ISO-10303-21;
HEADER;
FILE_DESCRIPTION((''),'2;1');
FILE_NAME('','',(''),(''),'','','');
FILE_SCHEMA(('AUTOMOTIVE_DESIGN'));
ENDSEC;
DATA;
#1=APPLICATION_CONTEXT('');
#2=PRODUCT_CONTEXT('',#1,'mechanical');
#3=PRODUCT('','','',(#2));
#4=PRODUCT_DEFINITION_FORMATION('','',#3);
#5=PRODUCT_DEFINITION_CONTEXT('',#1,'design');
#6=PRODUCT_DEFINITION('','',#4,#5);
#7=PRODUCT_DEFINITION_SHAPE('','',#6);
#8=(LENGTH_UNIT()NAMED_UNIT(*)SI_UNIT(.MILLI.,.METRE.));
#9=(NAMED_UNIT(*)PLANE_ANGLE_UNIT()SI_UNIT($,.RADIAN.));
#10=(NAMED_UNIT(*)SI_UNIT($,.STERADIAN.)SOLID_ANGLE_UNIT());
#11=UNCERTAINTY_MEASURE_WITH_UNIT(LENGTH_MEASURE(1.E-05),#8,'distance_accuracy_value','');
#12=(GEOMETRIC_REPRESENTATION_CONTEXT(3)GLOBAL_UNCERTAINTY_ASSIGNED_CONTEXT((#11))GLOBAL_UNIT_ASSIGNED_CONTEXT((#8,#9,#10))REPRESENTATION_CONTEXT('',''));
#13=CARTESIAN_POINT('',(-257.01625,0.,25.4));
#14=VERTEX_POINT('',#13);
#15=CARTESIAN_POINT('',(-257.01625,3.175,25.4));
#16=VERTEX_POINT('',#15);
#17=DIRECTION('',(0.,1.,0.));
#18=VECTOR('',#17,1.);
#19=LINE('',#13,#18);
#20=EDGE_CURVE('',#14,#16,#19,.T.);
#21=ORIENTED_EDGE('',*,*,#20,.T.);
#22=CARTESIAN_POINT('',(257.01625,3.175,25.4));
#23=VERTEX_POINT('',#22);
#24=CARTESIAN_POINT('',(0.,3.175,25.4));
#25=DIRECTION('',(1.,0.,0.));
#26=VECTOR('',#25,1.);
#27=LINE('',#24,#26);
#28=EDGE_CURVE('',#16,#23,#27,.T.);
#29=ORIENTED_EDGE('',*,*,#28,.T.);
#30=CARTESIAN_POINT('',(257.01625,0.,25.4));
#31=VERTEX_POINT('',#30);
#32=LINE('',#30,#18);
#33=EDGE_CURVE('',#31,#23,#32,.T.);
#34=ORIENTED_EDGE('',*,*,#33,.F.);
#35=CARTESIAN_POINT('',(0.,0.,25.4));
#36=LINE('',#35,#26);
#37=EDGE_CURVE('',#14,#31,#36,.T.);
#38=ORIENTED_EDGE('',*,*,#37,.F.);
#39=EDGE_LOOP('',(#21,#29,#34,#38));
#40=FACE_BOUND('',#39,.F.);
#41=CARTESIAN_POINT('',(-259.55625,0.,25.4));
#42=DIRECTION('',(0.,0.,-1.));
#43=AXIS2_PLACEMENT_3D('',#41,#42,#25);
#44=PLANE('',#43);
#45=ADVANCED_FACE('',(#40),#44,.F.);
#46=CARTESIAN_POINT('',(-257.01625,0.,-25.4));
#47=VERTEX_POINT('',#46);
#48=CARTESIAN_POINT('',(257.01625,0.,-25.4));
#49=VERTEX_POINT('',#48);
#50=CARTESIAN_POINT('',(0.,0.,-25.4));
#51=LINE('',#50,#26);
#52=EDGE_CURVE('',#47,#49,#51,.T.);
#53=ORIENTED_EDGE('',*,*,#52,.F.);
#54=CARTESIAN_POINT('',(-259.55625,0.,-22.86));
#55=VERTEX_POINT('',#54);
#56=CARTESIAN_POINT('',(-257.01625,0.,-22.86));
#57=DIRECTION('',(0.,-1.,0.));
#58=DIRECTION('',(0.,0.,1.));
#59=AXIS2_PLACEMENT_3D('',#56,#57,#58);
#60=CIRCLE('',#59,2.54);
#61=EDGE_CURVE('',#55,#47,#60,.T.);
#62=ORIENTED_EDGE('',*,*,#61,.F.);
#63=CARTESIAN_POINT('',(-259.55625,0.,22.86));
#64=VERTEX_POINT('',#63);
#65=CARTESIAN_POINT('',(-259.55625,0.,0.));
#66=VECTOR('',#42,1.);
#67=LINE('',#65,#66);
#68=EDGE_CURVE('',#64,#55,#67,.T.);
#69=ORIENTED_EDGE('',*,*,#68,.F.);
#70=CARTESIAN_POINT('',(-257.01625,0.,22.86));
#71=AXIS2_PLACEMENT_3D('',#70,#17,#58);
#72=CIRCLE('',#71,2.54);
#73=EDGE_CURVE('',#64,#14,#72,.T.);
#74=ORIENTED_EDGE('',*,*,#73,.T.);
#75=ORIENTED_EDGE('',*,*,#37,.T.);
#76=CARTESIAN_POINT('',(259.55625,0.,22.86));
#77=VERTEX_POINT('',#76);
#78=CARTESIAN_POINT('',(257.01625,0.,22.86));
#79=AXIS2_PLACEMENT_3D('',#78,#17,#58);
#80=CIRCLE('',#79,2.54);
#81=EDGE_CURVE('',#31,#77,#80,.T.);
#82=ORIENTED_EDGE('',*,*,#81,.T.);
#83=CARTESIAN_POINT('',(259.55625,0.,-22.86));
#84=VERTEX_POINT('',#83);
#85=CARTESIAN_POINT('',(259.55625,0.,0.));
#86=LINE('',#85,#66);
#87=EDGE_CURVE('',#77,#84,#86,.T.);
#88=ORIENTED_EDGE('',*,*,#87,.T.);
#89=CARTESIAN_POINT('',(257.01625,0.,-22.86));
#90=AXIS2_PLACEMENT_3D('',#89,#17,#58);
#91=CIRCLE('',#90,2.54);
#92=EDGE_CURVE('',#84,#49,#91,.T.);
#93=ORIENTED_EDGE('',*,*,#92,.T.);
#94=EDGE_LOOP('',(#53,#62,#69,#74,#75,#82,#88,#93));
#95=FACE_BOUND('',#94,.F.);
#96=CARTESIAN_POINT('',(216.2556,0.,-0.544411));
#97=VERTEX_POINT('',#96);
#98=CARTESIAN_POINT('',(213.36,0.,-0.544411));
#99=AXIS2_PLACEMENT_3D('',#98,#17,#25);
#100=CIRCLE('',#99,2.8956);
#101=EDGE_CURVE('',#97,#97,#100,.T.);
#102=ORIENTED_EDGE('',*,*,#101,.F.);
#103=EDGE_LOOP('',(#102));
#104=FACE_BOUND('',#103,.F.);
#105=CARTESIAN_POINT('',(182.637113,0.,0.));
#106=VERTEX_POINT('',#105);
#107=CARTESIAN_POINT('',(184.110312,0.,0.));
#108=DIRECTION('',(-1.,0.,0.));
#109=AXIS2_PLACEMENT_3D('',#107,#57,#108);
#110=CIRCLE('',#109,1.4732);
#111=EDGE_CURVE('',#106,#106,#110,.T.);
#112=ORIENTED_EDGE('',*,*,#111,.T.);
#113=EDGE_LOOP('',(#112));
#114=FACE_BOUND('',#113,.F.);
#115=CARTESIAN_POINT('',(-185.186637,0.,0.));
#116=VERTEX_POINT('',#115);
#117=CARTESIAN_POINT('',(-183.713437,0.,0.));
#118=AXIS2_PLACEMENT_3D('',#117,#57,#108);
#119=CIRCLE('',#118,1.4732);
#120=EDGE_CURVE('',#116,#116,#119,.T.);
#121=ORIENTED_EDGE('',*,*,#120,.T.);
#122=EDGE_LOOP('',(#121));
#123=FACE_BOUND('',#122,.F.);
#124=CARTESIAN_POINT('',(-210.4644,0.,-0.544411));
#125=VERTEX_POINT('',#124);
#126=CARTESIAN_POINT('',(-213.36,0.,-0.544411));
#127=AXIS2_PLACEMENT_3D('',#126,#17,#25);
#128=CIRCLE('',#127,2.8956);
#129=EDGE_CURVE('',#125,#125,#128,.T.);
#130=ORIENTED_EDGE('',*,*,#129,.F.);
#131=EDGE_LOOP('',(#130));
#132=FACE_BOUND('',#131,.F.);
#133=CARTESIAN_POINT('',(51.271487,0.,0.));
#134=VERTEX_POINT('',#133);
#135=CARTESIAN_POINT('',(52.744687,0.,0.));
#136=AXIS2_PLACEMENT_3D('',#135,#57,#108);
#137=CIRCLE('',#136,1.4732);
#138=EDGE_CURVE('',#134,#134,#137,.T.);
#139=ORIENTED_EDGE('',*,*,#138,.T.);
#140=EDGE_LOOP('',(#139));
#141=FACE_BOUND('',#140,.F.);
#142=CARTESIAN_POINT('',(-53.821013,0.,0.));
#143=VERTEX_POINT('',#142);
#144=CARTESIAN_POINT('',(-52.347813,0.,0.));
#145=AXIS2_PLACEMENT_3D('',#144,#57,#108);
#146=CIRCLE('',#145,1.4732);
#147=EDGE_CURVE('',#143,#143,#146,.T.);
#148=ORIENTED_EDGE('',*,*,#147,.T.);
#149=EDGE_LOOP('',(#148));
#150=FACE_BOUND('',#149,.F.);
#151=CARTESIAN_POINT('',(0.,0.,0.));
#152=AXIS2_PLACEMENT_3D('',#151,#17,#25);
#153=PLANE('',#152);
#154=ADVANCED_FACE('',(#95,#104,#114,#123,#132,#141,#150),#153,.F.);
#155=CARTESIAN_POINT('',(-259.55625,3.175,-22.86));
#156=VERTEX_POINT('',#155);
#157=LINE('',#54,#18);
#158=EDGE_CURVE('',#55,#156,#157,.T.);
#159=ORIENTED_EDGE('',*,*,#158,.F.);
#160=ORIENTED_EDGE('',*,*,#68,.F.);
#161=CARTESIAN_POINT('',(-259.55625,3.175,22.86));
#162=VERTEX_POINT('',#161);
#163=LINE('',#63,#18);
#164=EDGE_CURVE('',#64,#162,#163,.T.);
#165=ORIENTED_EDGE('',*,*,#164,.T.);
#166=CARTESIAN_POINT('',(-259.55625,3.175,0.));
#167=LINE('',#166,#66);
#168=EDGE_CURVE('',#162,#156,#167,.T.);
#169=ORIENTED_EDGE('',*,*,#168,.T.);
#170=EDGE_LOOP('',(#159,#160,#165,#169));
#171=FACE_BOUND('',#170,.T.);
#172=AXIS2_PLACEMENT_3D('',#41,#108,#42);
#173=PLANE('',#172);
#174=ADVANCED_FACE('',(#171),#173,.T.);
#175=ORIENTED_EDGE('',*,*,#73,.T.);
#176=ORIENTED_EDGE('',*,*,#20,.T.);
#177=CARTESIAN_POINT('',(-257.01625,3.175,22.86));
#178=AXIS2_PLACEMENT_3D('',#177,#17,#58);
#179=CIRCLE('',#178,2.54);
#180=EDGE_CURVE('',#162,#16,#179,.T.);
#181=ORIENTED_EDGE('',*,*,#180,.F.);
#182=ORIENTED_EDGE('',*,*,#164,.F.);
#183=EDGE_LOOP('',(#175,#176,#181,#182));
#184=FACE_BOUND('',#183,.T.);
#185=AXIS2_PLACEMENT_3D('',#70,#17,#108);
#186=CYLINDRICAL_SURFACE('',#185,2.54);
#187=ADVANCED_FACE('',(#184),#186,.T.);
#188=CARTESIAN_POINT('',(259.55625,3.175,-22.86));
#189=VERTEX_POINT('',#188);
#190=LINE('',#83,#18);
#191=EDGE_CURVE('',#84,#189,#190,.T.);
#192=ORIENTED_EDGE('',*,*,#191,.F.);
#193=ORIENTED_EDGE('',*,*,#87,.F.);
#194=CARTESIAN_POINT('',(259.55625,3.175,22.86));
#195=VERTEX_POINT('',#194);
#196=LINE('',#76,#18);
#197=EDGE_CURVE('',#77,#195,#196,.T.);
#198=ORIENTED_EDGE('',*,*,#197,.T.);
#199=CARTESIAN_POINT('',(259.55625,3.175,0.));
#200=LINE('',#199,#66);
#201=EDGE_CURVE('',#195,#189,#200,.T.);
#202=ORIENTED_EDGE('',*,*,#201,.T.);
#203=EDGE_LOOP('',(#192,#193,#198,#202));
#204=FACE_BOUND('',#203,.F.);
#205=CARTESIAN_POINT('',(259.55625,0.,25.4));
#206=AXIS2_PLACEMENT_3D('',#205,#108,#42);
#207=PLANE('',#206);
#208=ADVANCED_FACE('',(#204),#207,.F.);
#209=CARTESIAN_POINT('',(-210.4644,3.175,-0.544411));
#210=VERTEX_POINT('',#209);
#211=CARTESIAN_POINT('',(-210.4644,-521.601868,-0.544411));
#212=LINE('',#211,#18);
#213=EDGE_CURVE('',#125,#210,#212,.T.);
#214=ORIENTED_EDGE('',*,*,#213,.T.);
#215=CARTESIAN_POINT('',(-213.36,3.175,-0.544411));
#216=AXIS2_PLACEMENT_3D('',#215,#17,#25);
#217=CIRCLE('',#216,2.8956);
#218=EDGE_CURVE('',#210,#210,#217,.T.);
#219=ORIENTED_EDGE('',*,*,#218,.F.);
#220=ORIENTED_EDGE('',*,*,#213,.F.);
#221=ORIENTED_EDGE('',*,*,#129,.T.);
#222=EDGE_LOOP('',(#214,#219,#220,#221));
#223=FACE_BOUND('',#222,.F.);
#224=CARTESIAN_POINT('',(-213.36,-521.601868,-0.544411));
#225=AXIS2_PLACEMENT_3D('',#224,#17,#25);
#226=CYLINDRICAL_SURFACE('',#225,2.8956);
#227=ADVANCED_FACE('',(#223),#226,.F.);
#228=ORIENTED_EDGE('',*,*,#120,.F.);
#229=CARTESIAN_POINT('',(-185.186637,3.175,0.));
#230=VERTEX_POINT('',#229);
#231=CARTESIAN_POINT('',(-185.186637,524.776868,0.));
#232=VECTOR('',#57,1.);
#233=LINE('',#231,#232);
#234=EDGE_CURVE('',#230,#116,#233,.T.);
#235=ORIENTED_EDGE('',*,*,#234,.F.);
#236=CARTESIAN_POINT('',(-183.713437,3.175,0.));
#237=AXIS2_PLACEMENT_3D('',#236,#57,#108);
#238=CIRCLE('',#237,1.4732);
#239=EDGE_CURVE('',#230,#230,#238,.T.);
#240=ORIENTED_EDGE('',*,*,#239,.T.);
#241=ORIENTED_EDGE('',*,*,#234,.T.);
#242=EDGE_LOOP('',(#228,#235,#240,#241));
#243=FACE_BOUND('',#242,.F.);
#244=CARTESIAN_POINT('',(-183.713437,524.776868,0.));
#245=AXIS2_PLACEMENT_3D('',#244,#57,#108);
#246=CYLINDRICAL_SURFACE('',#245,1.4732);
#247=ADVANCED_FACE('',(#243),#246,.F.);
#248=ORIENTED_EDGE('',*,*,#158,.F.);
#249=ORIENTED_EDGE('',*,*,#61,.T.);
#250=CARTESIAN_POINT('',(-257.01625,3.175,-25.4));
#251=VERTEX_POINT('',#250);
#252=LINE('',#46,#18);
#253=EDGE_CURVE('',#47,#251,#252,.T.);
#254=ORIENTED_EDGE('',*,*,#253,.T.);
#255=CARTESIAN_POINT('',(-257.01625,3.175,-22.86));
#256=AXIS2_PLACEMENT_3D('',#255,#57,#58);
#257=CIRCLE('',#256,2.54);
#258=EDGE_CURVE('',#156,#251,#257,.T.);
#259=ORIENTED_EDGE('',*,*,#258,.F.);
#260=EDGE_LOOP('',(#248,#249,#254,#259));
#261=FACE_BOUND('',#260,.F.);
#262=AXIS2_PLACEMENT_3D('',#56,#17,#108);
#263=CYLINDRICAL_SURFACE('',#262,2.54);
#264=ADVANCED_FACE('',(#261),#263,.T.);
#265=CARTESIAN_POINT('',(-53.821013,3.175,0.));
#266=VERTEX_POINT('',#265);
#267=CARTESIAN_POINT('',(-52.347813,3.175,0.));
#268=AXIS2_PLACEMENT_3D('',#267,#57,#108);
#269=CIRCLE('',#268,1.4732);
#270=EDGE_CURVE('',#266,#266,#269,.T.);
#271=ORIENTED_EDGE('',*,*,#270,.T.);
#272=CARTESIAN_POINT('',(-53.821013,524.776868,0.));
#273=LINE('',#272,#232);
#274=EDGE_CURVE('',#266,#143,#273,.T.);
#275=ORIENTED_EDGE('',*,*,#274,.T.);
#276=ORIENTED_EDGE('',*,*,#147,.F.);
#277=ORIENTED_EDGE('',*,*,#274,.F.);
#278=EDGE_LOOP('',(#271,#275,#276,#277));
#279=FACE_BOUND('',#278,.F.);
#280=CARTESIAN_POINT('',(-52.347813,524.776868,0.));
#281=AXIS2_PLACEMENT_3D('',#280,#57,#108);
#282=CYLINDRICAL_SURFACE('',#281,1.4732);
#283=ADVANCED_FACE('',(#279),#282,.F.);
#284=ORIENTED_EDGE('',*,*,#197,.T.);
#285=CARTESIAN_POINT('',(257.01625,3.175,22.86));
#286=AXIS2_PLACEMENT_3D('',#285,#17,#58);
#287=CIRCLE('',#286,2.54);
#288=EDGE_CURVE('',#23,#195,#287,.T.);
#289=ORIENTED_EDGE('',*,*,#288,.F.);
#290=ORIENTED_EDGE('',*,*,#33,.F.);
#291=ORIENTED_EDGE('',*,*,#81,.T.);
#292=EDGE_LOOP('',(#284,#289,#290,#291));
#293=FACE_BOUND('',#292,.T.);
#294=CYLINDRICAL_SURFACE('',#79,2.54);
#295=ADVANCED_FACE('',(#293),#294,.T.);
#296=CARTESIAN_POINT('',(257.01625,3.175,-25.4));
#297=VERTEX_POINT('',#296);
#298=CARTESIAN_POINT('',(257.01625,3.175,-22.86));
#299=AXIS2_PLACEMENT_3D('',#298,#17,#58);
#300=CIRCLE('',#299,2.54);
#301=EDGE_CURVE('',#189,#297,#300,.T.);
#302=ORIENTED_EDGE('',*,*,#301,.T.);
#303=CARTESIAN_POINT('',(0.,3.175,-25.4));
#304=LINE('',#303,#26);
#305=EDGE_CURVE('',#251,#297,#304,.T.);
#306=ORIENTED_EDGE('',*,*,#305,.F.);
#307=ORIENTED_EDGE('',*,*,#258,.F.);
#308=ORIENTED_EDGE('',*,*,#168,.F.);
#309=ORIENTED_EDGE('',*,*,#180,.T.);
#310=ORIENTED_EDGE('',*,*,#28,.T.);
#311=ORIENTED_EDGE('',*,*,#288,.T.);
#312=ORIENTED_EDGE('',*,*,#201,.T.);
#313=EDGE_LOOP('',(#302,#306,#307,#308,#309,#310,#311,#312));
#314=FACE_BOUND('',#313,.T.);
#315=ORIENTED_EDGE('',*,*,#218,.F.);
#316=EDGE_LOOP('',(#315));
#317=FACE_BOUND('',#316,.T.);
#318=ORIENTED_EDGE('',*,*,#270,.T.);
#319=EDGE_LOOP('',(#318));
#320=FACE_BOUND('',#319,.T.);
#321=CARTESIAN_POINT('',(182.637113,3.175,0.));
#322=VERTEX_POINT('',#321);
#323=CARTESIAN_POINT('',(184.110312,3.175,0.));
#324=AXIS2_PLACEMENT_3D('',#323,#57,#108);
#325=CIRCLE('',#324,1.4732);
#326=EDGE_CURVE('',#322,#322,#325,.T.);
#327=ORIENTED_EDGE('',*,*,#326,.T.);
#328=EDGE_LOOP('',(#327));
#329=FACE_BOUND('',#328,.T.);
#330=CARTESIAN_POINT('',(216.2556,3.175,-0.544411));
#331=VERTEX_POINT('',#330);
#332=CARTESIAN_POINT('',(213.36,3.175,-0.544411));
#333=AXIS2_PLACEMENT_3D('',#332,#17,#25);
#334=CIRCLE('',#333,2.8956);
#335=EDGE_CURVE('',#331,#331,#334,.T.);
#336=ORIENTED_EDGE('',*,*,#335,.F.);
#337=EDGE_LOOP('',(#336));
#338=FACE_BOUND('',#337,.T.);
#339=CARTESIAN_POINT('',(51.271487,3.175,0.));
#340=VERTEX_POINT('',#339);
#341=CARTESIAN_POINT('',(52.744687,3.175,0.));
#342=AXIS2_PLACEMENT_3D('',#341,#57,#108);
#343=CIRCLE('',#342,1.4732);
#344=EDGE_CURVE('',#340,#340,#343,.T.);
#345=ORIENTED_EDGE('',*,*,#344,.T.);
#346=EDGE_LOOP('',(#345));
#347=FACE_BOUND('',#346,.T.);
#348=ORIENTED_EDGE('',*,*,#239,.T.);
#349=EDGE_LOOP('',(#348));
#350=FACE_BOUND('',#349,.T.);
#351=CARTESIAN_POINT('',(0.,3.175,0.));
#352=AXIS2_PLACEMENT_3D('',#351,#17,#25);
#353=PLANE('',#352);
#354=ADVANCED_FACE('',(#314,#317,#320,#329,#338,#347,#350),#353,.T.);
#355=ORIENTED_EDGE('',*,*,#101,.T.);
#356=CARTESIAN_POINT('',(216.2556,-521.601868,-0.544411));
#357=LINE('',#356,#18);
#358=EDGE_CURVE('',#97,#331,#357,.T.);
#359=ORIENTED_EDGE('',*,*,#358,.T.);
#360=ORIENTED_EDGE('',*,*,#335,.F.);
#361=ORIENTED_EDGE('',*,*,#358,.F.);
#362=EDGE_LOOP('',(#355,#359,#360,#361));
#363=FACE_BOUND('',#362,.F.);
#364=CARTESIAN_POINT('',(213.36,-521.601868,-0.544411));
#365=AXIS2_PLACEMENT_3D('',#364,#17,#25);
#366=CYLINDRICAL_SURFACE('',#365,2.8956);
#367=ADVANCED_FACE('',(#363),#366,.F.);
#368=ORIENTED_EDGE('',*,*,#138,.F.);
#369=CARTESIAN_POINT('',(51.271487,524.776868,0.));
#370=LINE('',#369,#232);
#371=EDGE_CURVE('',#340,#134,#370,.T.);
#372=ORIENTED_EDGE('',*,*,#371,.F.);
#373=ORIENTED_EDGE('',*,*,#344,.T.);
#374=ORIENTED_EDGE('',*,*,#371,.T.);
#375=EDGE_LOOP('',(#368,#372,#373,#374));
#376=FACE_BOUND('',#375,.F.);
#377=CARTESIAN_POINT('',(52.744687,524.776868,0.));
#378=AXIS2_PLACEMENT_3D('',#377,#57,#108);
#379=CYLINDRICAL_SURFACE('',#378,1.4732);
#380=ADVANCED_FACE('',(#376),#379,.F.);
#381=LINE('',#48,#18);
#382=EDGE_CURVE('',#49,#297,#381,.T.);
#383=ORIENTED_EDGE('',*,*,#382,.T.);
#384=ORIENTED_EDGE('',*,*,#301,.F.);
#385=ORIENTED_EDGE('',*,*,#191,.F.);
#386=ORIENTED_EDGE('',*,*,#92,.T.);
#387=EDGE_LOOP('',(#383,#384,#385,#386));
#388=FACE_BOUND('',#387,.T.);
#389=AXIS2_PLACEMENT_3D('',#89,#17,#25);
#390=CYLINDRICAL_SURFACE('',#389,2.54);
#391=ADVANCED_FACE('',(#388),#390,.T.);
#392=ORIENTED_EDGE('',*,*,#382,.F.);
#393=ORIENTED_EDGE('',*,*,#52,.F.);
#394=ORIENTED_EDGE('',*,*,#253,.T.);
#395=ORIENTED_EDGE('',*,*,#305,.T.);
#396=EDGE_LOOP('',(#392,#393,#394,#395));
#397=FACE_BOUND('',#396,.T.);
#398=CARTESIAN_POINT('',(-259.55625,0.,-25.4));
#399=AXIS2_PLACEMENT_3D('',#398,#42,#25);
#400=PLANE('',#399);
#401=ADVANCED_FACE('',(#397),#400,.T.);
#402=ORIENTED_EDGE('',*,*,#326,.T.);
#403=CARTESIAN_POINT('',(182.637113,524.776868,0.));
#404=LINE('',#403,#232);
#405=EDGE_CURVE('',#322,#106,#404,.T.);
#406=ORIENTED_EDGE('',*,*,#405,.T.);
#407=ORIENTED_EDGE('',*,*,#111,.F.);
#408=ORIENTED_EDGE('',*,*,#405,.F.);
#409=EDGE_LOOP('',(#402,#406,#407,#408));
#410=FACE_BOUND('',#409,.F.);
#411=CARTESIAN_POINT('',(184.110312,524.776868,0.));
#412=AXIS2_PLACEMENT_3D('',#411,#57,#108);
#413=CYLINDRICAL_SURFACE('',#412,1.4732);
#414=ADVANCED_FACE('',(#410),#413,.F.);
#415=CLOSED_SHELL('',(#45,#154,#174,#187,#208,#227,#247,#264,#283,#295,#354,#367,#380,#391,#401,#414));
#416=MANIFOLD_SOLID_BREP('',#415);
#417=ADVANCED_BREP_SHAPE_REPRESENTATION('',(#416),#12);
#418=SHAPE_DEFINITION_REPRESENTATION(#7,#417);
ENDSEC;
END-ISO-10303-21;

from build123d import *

# Parameters (mm, degrees)
SKETCH1_W                  = 519.1125
SKETCH1_H                  = 50.8
BOSS_EXTRUDE1_DEPTH        = 3.175
FILLET1_R                  = 2.54
F_4_CLEARANCE_HOLE1_D      = 2.9464
F_1_0_228_DIAMETER_HOLE1_D = 5.7912


with BuildPart() as part:
    # Sketch1 → Boss-Extrude1 (new body)
    with BuildSketch(Plane(origin=(0, 0, 0), x_dir=(1, 0, 0), z_dir=(0, 1, 0))):
        Rectangle(SKETCH1_W, SKETCH1_H)
    extrude(amount=BOSS_EXTRUDE1_DEPTH)

    # Fillet1
    fillet1_edges = [part.edges().sort_by_distance(p)[0] for p in [
        (259.55625, 1.5875, 25.4),
        (-259.55625, 1.5875, 25.4),
        (-259.55625, 1.5875, -25.4),
        (259.55625, 1.5875, -25.4),
    ]]
    fillet(fillet1_edges, radius=FILLET1_R)

    # #4 Clearance Hole1 (through all)
    with Locations(Plane(origin=(0, 3.175, 0), x_dir=(1, 0, 0), z_dir=(0, 1, 0))):
        with Locations((184.1103125, 0), (52.7446875, 0), (-52.3478125, 0), (-183.7134375, 0)):
            Hole(F_4_CLEARANCE_HOLE1_D / 2)

    # #1 (0.228) Diameter Hole1 (through all)
    with Locations(Plane(origin=(0, 0, 0), x_dir=(-1, 0, 0), z_dir=(0, -1, 0))):
        with Locations((-213.36, 0.5444109), (213.36, 0.5444109)):
            Hole(F_1_0_228_DIAMETER_HOLE1_D / 2)


solid = part.part
